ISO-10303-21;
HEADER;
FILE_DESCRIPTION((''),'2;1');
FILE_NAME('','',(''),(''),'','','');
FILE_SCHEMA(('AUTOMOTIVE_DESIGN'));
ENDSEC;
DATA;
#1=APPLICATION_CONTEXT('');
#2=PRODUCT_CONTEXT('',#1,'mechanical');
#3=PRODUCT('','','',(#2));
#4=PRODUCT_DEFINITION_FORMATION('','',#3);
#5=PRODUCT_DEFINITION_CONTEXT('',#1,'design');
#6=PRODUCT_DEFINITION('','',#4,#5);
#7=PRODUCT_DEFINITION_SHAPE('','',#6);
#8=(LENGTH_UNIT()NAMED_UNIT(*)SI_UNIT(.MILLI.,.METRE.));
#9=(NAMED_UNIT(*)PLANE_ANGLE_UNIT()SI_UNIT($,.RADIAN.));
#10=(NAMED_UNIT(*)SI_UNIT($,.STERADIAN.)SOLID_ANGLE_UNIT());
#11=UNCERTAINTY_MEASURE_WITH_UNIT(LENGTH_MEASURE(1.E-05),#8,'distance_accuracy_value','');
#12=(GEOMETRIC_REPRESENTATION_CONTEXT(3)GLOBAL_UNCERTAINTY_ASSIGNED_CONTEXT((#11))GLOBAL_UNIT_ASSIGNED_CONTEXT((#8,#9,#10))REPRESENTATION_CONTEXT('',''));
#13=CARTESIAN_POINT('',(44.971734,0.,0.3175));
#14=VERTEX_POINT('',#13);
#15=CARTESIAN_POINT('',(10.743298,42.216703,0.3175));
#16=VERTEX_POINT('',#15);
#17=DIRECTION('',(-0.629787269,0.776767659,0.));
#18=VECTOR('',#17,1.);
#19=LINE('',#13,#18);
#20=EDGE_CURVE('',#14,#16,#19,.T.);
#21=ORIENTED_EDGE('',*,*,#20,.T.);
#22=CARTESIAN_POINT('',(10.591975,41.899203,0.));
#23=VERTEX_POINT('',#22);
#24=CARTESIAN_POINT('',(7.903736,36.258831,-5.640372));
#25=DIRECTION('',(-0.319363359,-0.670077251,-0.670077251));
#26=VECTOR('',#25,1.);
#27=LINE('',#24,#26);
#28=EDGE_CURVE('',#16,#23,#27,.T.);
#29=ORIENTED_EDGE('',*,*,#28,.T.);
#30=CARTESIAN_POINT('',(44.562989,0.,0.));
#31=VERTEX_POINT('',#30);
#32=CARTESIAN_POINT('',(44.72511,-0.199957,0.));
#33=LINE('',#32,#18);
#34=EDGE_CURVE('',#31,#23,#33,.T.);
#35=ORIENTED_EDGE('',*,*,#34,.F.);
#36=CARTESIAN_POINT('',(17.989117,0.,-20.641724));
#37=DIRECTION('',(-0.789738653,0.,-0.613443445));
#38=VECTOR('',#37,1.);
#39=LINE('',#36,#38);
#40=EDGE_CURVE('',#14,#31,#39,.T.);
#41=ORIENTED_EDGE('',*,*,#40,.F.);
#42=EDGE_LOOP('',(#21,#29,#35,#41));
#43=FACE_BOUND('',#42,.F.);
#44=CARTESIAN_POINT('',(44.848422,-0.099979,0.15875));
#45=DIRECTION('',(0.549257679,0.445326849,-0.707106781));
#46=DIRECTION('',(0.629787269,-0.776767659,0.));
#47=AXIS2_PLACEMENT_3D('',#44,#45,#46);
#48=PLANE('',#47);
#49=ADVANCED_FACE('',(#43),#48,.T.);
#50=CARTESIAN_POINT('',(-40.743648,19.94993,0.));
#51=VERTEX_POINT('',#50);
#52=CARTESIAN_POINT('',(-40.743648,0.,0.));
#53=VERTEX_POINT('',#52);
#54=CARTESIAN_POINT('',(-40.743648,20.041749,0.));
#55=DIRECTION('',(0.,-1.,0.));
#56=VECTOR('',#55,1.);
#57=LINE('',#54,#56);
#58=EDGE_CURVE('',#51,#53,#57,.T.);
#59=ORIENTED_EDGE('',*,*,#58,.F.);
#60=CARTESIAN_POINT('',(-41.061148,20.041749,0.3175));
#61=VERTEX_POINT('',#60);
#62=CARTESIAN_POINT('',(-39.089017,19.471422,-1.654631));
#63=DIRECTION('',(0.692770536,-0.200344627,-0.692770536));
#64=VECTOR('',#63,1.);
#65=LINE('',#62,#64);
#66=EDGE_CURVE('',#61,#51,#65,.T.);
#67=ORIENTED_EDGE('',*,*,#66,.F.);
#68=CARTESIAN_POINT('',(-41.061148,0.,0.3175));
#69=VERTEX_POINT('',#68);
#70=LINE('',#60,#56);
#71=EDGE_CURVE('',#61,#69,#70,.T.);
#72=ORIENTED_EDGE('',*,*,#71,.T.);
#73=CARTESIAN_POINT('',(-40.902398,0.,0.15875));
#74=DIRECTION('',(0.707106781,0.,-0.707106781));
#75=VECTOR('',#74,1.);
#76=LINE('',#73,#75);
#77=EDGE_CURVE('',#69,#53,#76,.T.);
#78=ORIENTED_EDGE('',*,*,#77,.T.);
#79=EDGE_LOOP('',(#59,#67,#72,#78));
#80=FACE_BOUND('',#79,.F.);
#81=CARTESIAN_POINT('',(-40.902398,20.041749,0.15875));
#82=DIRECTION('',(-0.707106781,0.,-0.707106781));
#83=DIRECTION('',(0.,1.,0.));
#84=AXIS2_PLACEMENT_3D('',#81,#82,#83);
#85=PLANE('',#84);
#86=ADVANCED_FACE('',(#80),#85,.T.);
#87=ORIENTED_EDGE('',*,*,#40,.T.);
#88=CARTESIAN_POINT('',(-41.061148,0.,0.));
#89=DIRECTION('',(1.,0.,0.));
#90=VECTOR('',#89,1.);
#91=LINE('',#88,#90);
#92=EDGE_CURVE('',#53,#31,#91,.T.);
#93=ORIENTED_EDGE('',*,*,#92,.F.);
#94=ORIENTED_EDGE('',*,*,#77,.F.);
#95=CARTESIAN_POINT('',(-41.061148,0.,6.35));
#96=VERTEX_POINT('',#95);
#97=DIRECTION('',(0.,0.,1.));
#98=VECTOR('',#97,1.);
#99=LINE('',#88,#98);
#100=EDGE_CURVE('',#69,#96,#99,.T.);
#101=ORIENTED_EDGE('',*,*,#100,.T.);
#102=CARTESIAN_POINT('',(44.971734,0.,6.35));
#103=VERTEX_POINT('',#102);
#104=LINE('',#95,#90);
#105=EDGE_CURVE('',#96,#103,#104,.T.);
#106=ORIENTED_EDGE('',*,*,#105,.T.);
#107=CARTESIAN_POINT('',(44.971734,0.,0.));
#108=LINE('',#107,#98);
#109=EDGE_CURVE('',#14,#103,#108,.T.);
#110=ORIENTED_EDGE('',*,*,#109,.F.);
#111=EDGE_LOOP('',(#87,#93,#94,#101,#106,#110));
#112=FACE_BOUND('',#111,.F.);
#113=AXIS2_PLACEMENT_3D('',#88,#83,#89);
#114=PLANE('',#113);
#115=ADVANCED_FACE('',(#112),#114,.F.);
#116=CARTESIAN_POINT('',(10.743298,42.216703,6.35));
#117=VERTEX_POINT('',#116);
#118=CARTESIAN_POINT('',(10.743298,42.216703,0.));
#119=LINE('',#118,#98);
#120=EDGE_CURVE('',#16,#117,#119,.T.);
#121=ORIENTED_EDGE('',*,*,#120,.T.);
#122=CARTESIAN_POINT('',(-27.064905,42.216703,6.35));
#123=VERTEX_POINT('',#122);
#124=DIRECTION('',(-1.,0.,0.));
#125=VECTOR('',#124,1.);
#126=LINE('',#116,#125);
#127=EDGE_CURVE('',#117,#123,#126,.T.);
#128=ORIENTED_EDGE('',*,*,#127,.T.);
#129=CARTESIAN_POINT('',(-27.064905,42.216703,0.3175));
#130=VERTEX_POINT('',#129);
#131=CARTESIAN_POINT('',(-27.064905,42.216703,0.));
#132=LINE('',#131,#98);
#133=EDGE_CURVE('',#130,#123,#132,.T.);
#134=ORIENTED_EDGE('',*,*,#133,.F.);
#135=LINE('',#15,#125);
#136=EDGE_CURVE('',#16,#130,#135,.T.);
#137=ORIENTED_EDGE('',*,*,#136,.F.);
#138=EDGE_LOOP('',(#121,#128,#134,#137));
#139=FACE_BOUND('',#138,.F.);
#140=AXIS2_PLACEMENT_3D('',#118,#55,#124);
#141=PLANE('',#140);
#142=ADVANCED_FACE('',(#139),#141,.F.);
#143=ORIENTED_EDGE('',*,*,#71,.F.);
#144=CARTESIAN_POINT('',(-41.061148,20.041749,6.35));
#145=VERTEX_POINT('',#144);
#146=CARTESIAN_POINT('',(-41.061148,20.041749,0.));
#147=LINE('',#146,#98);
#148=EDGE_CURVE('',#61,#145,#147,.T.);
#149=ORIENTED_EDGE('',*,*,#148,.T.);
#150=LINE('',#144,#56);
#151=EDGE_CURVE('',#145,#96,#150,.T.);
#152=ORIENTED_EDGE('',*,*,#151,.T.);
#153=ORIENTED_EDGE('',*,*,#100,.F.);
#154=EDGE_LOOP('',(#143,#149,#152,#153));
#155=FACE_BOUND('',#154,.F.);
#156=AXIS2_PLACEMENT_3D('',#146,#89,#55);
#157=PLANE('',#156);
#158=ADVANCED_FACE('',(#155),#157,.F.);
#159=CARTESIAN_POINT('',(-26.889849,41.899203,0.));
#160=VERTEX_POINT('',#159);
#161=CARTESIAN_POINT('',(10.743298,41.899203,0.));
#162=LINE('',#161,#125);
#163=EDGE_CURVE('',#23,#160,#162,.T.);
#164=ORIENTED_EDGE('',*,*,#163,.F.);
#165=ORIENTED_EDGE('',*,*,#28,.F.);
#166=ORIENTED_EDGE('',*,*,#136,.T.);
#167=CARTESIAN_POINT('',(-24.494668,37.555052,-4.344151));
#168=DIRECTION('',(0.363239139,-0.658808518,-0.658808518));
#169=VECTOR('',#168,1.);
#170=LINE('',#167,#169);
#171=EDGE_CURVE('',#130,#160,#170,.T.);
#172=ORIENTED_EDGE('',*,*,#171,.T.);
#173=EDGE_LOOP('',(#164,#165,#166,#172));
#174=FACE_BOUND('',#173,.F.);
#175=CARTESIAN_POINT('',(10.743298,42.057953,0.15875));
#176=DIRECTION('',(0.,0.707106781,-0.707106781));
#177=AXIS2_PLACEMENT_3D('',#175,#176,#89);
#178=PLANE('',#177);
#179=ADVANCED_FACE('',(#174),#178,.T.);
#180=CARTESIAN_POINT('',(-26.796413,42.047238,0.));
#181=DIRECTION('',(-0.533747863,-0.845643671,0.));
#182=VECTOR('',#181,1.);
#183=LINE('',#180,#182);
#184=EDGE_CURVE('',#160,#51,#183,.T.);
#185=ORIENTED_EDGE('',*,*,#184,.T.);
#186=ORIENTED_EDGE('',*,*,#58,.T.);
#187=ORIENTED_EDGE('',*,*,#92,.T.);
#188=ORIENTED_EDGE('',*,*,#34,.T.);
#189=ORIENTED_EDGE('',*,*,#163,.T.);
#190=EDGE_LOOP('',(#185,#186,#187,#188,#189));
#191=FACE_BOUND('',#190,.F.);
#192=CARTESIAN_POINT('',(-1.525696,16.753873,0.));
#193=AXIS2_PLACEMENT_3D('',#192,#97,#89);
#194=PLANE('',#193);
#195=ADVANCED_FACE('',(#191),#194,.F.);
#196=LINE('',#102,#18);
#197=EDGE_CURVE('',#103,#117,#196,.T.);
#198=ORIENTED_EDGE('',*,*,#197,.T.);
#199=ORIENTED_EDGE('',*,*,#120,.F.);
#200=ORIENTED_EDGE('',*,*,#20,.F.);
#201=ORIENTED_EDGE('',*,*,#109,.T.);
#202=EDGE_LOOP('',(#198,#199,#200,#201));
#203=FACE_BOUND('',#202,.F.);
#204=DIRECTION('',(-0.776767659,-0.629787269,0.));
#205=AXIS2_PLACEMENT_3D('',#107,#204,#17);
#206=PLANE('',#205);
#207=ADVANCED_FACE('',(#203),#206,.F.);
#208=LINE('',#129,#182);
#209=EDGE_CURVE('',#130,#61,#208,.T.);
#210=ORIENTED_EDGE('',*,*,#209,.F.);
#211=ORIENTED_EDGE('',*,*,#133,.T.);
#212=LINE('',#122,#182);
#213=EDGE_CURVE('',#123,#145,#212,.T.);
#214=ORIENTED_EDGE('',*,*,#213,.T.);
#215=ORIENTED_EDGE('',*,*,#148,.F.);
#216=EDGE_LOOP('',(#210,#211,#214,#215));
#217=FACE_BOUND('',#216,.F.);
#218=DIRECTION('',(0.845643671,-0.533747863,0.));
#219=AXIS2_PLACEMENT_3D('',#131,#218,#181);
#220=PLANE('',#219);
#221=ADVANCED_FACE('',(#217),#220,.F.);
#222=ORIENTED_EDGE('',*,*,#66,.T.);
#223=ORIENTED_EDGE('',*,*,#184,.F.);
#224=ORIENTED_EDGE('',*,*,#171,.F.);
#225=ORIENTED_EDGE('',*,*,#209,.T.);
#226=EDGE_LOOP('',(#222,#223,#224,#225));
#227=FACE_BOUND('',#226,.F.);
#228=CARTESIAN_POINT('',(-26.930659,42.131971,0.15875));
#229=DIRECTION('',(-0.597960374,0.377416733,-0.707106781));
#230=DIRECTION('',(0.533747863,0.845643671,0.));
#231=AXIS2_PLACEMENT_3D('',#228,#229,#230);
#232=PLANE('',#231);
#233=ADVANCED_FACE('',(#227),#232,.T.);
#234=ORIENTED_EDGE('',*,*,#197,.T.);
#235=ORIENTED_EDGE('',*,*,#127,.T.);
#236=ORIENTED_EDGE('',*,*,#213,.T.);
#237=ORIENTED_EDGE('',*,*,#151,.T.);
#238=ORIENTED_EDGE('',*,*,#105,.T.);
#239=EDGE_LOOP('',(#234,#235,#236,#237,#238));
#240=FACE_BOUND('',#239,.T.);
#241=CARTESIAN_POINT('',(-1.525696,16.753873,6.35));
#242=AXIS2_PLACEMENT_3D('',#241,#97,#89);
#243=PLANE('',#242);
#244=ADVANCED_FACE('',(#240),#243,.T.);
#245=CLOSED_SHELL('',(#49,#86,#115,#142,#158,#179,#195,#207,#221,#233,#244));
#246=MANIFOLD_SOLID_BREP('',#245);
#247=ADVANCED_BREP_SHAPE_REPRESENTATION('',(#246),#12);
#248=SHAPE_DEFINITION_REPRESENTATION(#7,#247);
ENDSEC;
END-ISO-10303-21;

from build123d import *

# Parameters (mm, degrees)
F1_DEPTH = 6.35
F2_SIZE  = 0.3175


with BuildPart() as f1:
    # F0 (on Top) → F1 (new body)
    with BuildSketch(Plane.XY):
        Polygon((-41.061148, 20.041749), (-41.061148, 0), (44.971734, 0), (10.743298, 42.216703), (-27.064905, 42.216703), align=None)
    extrude(amount=F1_DEPTH)

    # F2
    f2_edges = [f1.edges().sort_by_distance(p)[0] for p in [
        (27.857516, 21.108352, 0),
        (-8.160804, 42.216703, 0),
        (-34.063026, 31.129226, 0),
        (-41.061148, 10.020874, 0),
    ]]
    chamfer(f2_edges, length=F2_SIZE)


solid = f1.part
